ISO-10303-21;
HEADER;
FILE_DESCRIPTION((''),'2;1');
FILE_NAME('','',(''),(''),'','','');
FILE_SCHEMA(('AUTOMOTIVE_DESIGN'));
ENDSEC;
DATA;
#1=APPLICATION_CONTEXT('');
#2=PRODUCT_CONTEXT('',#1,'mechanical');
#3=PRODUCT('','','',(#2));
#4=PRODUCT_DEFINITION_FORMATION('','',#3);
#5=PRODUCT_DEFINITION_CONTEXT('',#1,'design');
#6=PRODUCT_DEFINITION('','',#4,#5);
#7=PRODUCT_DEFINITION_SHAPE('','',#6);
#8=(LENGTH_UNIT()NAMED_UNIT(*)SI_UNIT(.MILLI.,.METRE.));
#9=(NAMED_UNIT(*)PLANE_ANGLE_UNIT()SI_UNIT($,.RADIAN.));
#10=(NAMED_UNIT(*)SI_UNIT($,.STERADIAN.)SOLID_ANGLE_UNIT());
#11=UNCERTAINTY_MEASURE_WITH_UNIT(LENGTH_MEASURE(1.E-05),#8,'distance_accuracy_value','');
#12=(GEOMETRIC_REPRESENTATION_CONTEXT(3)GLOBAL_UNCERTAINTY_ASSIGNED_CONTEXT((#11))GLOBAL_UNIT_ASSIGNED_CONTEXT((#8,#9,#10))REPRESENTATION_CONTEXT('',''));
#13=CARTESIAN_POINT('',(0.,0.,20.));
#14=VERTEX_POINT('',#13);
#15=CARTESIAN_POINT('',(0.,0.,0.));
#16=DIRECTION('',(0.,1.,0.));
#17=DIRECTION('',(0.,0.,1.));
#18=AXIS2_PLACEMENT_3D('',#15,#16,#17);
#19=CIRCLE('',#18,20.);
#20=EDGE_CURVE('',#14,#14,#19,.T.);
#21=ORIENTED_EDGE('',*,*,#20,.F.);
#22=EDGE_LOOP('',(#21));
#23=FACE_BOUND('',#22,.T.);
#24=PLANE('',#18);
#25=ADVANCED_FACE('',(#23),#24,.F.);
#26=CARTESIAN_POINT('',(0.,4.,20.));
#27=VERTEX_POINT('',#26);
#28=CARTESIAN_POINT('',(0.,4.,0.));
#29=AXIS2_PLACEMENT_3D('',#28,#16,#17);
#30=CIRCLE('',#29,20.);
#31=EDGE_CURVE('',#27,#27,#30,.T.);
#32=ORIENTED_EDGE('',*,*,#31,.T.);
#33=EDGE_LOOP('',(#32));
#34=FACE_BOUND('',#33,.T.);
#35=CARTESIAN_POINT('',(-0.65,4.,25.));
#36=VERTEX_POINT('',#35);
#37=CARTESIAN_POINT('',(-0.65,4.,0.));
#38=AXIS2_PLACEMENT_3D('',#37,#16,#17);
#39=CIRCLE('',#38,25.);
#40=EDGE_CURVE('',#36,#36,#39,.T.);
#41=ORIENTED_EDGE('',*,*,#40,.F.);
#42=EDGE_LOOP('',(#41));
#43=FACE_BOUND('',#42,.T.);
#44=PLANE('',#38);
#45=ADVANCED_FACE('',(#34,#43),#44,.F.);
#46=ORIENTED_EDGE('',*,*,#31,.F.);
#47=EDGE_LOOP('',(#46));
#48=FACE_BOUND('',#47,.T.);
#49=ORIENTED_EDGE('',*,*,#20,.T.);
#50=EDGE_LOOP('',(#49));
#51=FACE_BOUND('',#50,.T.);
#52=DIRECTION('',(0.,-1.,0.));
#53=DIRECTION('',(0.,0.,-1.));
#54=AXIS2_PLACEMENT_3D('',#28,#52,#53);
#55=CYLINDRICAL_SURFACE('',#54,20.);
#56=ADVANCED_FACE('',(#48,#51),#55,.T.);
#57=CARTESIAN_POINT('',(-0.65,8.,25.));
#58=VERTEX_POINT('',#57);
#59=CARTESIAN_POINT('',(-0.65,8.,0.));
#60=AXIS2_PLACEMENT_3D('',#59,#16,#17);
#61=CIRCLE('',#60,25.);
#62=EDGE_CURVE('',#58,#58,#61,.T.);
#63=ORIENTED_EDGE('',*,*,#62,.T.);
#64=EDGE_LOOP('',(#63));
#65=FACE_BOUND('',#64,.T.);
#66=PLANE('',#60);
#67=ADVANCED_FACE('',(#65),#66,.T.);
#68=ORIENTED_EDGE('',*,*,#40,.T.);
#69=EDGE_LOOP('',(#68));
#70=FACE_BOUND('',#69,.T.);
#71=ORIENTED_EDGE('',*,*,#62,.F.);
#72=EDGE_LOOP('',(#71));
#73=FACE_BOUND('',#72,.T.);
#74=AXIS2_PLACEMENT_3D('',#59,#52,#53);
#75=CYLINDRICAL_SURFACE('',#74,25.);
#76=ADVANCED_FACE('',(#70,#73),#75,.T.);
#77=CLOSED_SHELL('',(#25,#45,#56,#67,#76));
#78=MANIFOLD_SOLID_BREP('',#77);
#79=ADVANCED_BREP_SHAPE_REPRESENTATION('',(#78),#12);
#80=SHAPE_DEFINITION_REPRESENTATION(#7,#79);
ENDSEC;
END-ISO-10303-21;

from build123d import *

# Parameters (mm, degrees)
SKETCH1_R           = 20
BOSS_EXTRUDE1_DEPTH = 4
SKETCH2_R           = 25
BOSS_EXTRUDE2_DEPTH = 4


with BuildPart() as part:
    # Sketch1 → Boss-Extrude1 (new body)
    with BuildSketch(Plane(origin=(0, 0, 0), x_dir=(1, 0, 0), z_dir=(0, 1, 0))):
        with Locations(Location((0, 0, 0), (0, 0, 270))):
            Circle(SKETCH1_R)
    extrude(amount=BOSS_EXTRUDE1_DEPTH)

    # Sketch2 → Boss-Extrude2 (add)
    with BuildSketch(Plane(origin=(0, 4, 0), x_dir=(1, 0, 0), z_dir=(0, 1, 0))):
        with Locations(Location((-0.65, 0, 0), (0, 0, 270))):
            Circle(SKETCH2_R)
    extrude(amount=BOSS_EXTRUDE2_DEPTH)


solid = part.part
